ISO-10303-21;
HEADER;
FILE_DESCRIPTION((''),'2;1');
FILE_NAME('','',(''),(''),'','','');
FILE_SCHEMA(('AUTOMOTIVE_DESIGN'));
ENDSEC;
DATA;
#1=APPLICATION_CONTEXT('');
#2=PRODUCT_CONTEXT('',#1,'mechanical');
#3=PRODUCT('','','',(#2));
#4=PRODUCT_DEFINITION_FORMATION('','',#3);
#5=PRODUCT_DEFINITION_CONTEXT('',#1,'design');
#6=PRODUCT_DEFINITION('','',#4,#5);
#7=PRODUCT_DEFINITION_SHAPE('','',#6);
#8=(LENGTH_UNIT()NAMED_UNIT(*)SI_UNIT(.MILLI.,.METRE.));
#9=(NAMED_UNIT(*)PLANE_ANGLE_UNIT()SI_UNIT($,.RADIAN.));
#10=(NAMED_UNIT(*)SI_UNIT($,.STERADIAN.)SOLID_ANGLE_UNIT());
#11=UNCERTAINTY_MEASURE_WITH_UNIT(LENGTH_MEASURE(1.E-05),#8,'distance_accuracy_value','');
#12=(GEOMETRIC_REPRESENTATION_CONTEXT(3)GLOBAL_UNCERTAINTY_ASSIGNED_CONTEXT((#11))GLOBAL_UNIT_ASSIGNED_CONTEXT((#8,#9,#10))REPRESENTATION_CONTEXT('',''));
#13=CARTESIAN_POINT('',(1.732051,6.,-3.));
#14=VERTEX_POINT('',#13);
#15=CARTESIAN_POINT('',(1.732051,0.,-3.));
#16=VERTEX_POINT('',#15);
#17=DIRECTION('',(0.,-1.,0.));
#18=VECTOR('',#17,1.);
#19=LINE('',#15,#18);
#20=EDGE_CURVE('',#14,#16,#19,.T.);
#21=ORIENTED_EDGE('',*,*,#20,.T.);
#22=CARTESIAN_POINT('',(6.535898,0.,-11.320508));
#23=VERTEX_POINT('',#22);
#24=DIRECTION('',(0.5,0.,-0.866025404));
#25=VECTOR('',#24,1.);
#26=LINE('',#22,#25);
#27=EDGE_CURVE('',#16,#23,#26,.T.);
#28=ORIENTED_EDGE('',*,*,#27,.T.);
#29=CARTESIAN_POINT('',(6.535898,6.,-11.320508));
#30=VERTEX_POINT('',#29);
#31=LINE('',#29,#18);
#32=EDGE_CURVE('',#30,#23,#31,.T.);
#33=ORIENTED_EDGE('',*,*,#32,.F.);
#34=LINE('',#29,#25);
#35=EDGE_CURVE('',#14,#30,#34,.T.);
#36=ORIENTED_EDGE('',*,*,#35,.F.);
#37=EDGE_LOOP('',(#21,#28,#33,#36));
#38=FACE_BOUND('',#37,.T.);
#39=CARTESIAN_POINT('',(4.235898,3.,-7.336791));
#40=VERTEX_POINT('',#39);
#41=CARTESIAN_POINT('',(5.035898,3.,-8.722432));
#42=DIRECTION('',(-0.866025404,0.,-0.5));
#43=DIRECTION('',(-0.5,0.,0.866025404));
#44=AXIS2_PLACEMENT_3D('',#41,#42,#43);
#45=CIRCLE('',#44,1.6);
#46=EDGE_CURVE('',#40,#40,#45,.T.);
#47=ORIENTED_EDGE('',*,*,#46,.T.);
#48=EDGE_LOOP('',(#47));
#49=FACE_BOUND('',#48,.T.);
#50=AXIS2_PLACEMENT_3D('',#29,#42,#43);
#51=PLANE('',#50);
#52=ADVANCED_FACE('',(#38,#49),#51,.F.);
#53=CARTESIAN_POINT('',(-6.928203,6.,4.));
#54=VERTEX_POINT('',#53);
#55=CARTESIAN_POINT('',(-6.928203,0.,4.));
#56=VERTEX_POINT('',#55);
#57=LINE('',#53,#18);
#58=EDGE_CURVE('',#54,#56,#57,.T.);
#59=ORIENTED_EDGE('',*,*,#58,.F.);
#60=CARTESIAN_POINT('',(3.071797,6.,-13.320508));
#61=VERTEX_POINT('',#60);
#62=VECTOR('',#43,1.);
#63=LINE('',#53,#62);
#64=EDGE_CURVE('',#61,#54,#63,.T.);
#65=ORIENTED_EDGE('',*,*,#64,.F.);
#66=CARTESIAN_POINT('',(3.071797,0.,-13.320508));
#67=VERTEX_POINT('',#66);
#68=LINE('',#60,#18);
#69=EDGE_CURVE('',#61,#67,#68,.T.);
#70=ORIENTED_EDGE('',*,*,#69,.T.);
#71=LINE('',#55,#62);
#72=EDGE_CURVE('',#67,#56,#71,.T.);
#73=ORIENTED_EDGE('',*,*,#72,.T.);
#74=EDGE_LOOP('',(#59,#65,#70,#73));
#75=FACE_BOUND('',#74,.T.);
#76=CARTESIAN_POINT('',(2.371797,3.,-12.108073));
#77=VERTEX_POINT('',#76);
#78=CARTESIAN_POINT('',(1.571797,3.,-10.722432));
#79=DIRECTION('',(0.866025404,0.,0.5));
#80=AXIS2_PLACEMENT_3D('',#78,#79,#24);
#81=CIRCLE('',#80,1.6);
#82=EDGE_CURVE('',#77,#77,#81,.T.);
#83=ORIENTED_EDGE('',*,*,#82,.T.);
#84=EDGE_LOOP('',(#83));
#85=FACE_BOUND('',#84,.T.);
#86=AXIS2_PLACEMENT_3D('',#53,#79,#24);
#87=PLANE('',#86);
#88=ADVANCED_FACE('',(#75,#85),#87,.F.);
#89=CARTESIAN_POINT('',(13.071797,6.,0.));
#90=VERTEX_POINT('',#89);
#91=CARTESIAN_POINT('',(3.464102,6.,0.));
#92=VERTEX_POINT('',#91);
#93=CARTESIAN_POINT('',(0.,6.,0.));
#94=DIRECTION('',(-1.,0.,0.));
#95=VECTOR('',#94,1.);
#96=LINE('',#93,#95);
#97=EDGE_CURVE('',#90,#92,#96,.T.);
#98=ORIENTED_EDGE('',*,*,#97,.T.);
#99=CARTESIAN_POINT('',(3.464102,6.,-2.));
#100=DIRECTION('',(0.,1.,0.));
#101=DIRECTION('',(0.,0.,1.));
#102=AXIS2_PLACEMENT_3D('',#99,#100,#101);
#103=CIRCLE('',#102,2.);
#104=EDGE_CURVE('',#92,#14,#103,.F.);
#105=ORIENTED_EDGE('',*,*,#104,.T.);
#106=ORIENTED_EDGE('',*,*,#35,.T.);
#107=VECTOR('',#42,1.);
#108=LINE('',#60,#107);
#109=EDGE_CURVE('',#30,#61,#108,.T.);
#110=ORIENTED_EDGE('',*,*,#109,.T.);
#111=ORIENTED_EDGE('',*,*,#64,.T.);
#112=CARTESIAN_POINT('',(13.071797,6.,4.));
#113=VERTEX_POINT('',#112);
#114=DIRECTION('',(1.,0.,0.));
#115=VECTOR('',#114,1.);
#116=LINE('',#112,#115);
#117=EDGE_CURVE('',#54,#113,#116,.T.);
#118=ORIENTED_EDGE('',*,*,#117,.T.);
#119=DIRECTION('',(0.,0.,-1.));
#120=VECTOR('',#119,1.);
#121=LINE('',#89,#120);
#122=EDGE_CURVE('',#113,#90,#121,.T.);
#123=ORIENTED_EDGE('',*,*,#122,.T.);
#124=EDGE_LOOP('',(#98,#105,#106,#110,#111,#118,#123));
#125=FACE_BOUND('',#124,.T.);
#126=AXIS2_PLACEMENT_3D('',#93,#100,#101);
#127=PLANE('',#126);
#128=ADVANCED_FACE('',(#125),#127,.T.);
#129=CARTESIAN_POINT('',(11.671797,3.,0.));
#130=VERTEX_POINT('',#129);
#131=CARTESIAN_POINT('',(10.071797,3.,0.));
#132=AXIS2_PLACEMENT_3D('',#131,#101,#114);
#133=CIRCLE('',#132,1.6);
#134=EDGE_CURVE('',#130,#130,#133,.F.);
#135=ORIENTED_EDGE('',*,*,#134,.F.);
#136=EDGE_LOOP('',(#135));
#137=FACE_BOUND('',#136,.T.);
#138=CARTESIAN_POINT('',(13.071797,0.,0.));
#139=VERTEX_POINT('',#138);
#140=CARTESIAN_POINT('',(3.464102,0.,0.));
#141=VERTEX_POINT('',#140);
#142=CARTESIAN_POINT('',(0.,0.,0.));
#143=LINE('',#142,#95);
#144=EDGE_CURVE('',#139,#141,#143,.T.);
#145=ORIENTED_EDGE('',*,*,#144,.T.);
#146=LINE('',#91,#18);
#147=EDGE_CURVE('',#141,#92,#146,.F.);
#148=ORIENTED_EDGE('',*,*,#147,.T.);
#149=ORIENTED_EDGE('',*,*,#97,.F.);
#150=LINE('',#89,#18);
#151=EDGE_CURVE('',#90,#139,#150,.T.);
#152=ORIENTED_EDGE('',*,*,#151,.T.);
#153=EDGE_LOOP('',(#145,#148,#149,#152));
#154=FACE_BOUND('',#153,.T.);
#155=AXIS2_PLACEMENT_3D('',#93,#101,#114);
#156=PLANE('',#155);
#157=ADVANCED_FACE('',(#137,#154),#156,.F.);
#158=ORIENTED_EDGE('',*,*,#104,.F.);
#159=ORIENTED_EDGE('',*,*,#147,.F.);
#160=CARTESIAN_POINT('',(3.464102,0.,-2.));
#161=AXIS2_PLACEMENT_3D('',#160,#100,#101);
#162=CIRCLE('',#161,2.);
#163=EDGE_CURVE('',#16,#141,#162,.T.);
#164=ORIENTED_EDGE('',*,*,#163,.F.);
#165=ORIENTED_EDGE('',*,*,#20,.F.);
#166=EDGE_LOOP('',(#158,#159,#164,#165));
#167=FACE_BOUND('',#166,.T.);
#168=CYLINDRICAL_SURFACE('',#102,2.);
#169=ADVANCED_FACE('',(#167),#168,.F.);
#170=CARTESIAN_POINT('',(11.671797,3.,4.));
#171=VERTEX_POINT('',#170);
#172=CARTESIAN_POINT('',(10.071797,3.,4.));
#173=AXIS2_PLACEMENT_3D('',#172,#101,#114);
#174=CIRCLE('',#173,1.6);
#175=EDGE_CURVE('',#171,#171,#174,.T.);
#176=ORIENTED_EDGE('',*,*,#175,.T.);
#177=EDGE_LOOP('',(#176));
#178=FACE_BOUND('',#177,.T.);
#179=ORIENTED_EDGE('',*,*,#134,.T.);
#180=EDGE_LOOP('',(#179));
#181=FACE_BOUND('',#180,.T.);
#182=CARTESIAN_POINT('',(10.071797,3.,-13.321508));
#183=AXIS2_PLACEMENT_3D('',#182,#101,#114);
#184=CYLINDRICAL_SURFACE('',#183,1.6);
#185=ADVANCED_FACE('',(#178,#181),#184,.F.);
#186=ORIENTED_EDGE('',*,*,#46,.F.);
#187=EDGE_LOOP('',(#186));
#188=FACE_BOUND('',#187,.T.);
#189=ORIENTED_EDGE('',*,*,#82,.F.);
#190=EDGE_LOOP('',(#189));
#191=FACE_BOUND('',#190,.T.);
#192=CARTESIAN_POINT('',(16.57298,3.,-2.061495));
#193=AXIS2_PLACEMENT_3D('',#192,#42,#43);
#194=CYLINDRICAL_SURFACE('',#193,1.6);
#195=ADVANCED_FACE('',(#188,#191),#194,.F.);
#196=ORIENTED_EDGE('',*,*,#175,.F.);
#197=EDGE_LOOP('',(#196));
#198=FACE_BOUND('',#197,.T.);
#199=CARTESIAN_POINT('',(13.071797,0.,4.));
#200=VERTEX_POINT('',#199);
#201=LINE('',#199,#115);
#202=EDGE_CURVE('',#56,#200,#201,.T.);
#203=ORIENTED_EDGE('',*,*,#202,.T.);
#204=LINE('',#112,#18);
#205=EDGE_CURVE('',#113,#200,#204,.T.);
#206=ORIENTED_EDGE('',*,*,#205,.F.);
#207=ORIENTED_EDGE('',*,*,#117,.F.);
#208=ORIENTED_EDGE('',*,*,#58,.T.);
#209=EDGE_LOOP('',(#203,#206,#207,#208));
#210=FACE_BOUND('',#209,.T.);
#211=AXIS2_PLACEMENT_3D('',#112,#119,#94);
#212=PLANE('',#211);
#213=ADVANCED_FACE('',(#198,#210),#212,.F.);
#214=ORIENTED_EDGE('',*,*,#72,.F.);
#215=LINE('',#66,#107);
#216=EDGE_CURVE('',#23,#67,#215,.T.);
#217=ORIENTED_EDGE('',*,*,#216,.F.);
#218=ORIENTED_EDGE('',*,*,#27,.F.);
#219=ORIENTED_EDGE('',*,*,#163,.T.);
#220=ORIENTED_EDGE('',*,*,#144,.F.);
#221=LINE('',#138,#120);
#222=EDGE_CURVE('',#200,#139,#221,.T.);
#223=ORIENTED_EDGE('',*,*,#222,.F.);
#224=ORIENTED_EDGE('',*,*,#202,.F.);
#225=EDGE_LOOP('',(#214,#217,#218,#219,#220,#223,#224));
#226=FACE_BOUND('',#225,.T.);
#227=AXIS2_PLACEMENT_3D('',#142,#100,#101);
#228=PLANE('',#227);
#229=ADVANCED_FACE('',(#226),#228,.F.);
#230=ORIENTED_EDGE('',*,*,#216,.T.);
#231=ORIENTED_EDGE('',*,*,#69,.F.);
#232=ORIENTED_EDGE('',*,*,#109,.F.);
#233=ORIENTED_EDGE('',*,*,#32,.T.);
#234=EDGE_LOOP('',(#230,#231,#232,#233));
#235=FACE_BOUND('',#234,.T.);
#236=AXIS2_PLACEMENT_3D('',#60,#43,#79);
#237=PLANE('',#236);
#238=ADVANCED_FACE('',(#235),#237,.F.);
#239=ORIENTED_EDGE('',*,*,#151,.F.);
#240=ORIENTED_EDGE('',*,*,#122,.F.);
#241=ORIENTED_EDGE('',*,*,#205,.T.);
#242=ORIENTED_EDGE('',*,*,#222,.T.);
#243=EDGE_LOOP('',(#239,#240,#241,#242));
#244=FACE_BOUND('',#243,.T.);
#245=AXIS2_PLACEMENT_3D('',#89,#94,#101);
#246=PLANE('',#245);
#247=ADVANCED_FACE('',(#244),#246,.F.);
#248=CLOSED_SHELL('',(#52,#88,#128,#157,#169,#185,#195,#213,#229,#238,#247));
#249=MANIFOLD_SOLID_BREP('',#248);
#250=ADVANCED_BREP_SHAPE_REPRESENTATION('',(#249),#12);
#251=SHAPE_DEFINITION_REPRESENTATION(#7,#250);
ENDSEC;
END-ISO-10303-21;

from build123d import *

# Parameters (mm, degrees)
EXTRUDE_1_DEPTH     = 6
CUT_EXTRUDE_1_REACH = 24.514
SKETCH_3_R          = 1.6
FILLET_1_R          = 2


with BuildPart() as part:
    # 草图2 → 凸台-拉伸1 (new body)
    with BuildSketch(Plane(origin=(0, 0, 0), x_dir=(1, 0, 0), z_dir=(0, 1, 0))):
        Polygon((0, 0), (13.07179677, 0), (13.07179677, -4), (-6.92820323, -4), (3.07179677, 13.320508076), (6.535898385, 11.320508076), align=None)
    extrude(amount=EXTRUDE_1_DEPTH)

    # 草图3 → 切除-拉伸1 (cut, up to next)
    with BuildSketch(Plane.XY.offset(4), mode=Mode.PRIVATE) as cut_extrude_1_sk1:
        with Locations((10.07179677, 3)):
            Circle(SKETCH_3_R)
    cut_extrude_1_tool1 = extrude(cut_extrude_1_sk1.sketch, amount=-CUT_EXTRUDE_1_REACH, mode=Mode.PRIVATE) & part.part
    cut_extrude_1 = cut_extrude_1_tool1.solids().sort_by_distance((10.071797, 3, 4))[0]
    add(cut_extrude_1, mode=Mode.SUBTRACT)

    # 镜向1: 切除-拉伸1 across plane
    add(cut_extrude_1.mirror(Plane(origin=(0, 0, 0), x_dir=(-0.8660254037844399, 0, 0.4999999999999978), z_dir=(0.4999999999999983, 0, 0.8660254037844398))), mode=Mode.SUBTRACT)

    # 圆角1
    fillet_1_edges = [part.edges().sort_by_distance(p)[0] for p in [
        (0, 3, 0),
    ]]
    fillet(fillet_1_edges, radius=FILLET_1_R)


solid = part.part
